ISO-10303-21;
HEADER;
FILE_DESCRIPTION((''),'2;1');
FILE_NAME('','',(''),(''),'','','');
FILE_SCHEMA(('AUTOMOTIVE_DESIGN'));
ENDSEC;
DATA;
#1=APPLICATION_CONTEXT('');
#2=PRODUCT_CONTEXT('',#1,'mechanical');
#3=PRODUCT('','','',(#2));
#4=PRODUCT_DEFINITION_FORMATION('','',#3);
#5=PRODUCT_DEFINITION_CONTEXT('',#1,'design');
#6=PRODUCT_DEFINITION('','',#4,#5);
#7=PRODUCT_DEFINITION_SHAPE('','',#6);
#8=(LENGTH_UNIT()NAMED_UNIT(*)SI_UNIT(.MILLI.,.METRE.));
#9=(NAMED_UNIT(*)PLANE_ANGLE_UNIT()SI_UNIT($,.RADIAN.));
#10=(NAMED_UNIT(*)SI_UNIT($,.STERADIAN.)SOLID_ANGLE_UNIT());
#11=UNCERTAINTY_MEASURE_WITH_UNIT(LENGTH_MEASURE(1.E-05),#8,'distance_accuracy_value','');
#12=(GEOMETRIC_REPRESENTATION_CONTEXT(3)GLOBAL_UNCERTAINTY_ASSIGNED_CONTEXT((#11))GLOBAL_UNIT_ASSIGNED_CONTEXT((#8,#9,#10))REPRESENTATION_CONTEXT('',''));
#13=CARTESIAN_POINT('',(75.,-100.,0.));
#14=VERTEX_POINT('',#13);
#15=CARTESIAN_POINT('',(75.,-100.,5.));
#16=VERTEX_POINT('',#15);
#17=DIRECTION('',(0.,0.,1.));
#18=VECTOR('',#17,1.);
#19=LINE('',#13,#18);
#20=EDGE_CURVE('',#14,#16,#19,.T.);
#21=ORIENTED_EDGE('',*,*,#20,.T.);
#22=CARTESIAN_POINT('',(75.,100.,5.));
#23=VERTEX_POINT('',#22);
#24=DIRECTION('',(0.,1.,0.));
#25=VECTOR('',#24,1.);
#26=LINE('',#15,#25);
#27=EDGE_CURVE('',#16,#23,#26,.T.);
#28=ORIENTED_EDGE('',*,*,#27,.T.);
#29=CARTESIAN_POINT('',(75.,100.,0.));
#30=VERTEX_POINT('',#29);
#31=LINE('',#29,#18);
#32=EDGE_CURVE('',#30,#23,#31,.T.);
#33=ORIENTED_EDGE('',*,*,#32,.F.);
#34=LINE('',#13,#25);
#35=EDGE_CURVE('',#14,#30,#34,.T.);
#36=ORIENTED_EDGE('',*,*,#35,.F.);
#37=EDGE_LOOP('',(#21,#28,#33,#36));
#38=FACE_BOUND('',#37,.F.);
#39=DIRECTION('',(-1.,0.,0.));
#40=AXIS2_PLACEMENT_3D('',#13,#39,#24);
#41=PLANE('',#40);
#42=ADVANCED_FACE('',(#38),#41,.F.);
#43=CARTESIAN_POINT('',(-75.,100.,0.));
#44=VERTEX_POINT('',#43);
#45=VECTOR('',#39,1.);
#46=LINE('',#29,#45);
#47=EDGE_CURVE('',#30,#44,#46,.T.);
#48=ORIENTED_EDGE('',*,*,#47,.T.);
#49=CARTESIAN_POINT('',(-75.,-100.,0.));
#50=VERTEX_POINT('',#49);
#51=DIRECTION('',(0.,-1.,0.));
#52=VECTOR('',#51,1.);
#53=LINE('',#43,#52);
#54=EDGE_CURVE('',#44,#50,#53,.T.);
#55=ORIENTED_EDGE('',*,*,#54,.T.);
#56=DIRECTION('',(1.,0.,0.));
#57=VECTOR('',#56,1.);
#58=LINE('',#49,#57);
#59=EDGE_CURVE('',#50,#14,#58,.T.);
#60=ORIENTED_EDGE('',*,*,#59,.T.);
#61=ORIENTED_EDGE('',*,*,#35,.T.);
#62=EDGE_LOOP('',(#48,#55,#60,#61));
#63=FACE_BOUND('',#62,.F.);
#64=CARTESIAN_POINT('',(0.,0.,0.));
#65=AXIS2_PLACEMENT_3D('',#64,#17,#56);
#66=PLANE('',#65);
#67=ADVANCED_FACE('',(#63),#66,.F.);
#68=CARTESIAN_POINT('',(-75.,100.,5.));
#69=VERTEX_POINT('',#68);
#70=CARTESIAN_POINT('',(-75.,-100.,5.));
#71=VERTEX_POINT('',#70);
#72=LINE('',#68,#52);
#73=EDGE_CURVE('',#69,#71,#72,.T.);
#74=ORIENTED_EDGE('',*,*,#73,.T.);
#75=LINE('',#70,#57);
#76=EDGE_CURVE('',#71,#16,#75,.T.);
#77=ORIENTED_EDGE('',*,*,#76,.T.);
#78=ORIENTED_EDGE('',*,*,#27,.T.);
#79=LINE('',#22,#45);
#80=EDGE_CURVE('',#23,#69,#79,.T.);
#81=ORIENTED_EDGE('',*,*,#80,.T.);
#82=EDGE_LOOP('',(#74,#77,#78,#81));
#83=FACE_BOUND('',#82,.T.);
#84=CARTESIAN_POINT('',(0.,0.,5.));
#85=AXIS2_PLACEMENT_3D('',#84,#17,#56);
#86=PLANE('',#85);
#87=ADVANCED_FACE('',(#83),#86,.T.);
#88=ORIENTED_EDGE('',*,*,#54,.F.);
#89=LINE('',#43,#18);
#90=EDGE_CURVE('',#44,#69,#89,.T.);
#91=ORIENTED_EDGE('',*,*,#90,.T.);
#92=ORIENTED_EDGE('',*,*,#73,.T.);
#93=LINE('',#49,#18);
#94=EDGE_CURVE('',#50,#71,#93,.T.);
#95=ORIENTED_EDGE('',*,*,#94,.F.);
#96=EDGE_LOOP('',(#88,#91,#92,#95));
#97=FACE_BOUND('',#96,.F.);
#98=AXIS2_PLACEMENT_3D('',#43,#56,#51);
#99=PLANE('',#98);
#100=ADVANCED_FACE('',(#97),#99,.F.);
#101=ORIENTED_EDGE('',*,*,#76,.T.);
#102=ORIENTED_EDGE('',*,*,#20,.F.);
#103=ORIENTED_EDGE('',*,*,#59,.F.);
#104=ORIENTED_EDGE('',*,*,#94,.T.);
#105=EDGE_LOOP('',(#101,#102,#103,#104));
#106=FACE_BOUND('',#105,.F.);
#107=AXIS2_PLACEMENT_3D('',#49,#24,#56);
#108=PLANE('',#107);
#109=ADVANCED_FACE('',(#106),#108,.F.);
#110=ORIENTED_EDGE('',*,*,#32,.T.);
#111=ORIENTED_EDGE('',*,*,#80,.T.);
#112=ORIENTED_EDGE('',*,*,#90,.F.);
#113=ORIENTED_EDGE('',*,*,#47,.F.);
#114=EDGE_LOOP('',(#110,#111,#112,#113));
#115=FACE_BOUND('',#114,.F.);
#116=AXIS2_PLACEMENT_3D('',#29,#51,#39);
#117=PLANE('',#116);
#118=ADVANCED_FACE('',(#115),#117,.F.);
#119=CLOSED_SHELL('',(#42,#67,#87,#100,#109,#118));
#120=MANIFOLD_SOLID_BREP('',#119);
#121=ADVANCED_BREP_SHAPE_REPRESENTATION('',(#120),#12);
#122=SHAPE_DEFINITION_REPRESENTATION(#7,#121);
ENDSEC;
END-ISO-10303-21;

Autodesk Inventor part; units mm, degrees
ref_plane "YZ Plane" through (0, 0, 0) normal (1, 0, 0) x (0, 1, 0)
ref_plane "XZ Plane" through (0, 0, 0) normal (0, 1, 0) x (-1, 0, 0)
ref_plane "XY Plane" through (0, 0, 0) normal (0, 0, 1) x (1, 0, 0)
sketch "Sketch1" plane through (0, 0, 0) normal (0, 0, 1) x (1, 0, 0)
  line L0 (-75, -100) -> (75, -100)
  line L1 (75, -100) -> (75, 100)
  line L2 (75, 100) -> (-75, 100)
  line L3 (-75, 100) -> (-75, -100)
  line L4 (-75, -100) -> (75, 100) construction
  line L5 (75, -100) -> (-75, 100) construction
  point P0 (0, 0)
  dimension "d0" = 150
  dimension "d1" = 200
extrude "Extrusion1" add sketch "Sketch1" along normal blind 5
properties part number "stand_plate4" material "Plywood, Finish"
